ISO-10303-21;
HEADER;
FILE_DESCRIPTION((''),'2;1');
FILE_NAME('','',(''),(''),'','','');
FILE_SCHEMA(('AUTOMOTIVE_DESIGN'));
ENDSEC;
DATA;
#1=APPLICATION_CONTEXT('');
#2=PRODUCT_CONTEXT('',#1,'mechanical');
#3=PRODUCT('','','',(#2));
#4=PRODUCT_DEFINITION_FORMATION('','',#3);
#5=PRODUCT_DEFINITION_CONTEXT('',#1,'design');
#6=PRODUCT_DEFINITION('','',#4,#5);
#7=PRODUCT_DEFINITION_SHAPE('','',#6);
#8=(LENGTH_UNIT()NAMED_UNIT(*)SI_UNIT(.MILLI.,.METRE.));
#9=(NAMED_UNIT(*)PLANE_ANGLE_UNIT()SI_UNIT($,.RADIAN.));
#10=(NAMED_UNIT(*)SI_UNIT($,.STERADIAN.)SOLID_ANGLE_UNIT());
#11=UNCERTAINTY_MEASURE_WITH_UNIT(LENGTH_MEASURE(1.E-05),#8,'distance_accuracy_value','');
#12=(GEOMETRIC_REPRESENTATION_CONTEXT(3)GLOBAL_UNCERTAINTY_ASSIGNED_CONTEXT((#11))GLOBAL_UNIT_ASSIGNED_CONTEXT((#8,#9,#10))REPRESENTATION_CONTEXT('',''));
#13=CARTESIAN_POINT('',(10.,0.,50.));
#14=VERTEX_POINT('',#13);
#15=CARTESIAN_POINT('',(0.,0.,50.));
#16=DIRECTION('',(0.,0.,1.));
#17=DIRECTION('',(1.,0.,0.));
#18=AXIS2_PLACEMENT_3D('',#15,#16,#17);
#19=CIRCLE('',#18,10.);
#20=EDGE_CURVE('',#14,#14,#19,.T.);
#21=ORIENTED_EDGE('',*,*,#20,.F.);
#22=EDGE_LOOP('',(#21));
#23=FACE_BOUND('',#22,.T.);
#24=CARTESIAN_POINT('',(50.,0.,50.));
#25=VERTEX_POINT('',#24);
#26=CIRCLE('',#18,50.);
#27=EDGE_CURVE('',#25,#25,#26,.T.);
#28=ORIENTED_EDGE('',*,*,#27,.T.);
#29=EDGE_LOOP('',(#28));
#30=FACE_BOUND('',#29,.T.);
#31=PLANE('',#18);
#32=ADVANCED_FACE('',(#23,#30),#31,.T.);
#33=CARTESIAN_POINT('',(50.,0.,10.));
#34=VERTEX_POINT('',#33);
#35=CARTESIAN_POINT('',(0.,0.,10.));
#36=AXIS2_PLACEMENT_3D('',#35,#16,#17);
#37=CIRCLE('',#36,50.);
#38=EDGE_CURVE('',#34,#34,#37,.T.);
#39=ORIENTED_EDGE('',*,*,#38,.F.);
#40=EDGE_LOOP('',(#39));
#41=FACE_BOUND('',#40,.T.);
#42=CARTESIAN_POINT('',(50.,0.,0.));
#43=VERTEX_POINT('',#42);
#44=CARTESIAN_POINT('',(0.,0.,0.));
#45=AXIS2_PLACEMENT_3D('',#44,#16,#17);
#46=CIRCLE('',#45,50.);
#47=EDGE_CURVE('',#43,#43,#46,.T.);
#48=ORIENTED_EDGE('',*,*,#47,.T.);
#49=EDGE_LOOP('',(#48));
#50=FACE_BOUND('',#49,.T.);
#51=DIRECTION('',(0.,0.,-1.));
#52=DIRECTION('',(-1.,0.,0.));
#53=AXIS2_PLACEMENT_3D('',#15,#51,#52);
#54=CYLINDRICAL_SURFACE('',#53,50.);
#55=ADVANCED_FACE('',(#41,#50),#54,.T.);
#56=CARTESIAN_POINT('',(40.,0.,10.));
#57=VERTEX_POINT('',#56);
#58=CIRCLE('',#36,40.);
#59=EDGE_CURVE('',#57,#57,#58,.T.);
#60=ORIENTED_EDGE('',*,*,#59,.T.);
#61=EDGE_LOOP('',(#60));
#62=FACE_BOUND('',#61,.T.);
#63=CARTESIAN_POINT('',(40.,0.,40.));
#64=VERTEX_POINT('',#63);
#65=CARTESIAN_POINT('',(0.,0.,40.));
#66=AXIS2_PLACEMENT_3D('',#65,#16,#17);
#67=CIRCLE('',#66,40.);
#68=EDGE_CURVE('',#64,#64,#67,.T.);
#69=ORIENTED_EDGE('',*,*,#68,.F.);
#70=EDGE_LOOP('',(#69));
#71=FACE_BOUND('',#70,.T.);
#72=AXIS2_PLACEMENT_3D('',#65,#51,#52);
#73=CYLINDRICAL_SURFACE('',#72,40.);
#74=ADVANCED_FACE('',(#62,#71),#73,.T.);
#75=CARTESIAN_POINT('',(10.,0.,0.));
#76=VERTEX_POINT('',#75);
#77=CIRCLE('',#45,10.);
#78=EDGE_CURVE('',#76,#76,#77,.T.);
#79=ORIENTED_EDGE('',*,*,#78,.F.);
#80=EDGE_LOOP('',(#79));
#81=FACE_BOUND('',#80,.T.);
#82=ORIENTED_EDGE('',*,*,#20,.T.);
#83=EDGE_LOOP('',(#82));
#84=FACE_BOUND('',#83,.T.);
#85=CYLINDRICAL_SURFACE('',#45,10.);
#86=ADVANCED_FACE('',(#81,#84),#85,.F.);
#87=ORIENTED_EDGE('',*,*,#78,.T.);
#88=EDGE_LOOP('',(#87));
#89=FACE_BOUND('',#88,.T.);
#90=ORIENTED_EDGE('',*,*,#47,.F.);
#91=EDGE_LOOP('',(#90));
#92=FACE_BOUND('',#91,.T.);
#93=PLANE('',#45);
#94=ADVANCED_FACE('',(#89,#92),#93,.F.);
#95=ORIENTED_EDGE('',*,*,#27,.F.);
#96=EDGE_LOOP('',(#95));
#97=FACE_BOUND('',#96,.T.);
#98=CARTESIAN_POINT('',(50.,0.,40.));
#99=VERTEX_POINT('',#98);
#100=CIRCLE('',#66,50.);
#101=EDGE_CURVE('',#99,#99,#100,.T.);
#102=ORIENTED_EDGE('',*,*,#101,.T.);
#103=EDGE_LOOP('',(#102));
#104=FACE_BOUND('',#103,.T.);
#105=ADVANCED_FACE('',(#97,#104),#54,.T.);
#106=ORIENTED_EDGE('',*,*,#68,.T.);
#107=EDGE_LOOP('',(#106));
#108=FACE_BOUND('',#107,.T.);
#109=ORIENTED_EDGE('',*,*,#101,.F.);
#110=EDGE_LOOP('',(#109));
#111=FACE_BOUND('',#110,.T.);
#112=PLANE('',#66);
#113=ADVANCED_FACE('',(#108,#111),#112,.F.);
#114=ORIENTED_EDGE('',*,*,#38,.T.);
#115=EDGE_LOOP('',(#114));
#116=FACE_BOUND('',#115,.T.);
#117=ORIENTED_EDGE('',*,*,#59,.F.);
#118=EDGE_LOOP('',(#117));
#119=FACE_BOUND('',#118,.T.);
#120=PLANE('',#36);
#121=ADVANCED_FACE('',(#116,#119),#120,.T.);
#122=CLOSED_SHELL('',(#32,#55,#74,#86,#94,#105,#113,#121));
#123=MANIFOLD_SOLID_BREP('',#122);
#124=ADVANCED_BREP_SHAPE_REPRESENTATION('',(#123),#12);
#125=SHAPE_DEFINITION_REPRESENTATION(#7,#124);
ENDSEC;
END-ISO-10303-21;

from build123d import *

# Parameters (mm, degrees)
SKETCH_1_R               = 50
EXTRUDE_1_DEPTH          = 50
CUT_EXTRUDE_1_DEPTH      = 15
CUT_EXTRUDE_1_DEPTH_BACK = 15
SKETCH_2_OUTSIDE_W       = 132
SKETCH_2_OUTSIDE_H       = 132
SKETCH_2_OUTSIDE_R       = 40
CUT_EXTRUDE_2_DEPTH      = 76
CUT_EXTRUDE_2_DEPTH_BACK = 76
SKETCH_3_R               = 10


with BuildPart() as part:
    # 草图1 → 凸台-拉伸1 (new body)
    with BuildSketch(Plane.XY):
        Circle(SKETCH_1_R)
    extrude(amount=EXTRUDE_1_DEPTH)

    # 草图2 outside → 切除-拉伸1 (cut, two sides: drawn at the far end of the back side and taken through both)
    with BuildSketch(Plane.XY.offset(25).offset(-CUT_EXTRUDE_1_DEPTH_BACK)):
        Rectangle(SKETCH_2_OUTSIDE_W, SKETCH_2_OUTSIDE_H)
        Circle(SKETCH_2_OUTSIDE_R, mode=Mode.SUBTRACT)
    extrude(amount=CUT_EXTRUDE_1_DEPTH + CUT_EXTRUDE_1_DEPTH_BACK, mode=Mode.SUBTRACT)

    # 草图3 → 切除-拉伸2 (cut, two sides: drawn at the far end of the back side and taken through both)
    with BuildSketch(Plane.XY.offset(25).offset(-CUT_EXTRUDE_2_DEPTH_BACK)):
        Circle(SKETCH_3_R)
    extrude(amount=CUT_EXTRUDE_2_DEPTH + CUT_EXTRUDE_2_DEPTH_BACK, mode=Mode.SUBTRACT)


solid = part.part
